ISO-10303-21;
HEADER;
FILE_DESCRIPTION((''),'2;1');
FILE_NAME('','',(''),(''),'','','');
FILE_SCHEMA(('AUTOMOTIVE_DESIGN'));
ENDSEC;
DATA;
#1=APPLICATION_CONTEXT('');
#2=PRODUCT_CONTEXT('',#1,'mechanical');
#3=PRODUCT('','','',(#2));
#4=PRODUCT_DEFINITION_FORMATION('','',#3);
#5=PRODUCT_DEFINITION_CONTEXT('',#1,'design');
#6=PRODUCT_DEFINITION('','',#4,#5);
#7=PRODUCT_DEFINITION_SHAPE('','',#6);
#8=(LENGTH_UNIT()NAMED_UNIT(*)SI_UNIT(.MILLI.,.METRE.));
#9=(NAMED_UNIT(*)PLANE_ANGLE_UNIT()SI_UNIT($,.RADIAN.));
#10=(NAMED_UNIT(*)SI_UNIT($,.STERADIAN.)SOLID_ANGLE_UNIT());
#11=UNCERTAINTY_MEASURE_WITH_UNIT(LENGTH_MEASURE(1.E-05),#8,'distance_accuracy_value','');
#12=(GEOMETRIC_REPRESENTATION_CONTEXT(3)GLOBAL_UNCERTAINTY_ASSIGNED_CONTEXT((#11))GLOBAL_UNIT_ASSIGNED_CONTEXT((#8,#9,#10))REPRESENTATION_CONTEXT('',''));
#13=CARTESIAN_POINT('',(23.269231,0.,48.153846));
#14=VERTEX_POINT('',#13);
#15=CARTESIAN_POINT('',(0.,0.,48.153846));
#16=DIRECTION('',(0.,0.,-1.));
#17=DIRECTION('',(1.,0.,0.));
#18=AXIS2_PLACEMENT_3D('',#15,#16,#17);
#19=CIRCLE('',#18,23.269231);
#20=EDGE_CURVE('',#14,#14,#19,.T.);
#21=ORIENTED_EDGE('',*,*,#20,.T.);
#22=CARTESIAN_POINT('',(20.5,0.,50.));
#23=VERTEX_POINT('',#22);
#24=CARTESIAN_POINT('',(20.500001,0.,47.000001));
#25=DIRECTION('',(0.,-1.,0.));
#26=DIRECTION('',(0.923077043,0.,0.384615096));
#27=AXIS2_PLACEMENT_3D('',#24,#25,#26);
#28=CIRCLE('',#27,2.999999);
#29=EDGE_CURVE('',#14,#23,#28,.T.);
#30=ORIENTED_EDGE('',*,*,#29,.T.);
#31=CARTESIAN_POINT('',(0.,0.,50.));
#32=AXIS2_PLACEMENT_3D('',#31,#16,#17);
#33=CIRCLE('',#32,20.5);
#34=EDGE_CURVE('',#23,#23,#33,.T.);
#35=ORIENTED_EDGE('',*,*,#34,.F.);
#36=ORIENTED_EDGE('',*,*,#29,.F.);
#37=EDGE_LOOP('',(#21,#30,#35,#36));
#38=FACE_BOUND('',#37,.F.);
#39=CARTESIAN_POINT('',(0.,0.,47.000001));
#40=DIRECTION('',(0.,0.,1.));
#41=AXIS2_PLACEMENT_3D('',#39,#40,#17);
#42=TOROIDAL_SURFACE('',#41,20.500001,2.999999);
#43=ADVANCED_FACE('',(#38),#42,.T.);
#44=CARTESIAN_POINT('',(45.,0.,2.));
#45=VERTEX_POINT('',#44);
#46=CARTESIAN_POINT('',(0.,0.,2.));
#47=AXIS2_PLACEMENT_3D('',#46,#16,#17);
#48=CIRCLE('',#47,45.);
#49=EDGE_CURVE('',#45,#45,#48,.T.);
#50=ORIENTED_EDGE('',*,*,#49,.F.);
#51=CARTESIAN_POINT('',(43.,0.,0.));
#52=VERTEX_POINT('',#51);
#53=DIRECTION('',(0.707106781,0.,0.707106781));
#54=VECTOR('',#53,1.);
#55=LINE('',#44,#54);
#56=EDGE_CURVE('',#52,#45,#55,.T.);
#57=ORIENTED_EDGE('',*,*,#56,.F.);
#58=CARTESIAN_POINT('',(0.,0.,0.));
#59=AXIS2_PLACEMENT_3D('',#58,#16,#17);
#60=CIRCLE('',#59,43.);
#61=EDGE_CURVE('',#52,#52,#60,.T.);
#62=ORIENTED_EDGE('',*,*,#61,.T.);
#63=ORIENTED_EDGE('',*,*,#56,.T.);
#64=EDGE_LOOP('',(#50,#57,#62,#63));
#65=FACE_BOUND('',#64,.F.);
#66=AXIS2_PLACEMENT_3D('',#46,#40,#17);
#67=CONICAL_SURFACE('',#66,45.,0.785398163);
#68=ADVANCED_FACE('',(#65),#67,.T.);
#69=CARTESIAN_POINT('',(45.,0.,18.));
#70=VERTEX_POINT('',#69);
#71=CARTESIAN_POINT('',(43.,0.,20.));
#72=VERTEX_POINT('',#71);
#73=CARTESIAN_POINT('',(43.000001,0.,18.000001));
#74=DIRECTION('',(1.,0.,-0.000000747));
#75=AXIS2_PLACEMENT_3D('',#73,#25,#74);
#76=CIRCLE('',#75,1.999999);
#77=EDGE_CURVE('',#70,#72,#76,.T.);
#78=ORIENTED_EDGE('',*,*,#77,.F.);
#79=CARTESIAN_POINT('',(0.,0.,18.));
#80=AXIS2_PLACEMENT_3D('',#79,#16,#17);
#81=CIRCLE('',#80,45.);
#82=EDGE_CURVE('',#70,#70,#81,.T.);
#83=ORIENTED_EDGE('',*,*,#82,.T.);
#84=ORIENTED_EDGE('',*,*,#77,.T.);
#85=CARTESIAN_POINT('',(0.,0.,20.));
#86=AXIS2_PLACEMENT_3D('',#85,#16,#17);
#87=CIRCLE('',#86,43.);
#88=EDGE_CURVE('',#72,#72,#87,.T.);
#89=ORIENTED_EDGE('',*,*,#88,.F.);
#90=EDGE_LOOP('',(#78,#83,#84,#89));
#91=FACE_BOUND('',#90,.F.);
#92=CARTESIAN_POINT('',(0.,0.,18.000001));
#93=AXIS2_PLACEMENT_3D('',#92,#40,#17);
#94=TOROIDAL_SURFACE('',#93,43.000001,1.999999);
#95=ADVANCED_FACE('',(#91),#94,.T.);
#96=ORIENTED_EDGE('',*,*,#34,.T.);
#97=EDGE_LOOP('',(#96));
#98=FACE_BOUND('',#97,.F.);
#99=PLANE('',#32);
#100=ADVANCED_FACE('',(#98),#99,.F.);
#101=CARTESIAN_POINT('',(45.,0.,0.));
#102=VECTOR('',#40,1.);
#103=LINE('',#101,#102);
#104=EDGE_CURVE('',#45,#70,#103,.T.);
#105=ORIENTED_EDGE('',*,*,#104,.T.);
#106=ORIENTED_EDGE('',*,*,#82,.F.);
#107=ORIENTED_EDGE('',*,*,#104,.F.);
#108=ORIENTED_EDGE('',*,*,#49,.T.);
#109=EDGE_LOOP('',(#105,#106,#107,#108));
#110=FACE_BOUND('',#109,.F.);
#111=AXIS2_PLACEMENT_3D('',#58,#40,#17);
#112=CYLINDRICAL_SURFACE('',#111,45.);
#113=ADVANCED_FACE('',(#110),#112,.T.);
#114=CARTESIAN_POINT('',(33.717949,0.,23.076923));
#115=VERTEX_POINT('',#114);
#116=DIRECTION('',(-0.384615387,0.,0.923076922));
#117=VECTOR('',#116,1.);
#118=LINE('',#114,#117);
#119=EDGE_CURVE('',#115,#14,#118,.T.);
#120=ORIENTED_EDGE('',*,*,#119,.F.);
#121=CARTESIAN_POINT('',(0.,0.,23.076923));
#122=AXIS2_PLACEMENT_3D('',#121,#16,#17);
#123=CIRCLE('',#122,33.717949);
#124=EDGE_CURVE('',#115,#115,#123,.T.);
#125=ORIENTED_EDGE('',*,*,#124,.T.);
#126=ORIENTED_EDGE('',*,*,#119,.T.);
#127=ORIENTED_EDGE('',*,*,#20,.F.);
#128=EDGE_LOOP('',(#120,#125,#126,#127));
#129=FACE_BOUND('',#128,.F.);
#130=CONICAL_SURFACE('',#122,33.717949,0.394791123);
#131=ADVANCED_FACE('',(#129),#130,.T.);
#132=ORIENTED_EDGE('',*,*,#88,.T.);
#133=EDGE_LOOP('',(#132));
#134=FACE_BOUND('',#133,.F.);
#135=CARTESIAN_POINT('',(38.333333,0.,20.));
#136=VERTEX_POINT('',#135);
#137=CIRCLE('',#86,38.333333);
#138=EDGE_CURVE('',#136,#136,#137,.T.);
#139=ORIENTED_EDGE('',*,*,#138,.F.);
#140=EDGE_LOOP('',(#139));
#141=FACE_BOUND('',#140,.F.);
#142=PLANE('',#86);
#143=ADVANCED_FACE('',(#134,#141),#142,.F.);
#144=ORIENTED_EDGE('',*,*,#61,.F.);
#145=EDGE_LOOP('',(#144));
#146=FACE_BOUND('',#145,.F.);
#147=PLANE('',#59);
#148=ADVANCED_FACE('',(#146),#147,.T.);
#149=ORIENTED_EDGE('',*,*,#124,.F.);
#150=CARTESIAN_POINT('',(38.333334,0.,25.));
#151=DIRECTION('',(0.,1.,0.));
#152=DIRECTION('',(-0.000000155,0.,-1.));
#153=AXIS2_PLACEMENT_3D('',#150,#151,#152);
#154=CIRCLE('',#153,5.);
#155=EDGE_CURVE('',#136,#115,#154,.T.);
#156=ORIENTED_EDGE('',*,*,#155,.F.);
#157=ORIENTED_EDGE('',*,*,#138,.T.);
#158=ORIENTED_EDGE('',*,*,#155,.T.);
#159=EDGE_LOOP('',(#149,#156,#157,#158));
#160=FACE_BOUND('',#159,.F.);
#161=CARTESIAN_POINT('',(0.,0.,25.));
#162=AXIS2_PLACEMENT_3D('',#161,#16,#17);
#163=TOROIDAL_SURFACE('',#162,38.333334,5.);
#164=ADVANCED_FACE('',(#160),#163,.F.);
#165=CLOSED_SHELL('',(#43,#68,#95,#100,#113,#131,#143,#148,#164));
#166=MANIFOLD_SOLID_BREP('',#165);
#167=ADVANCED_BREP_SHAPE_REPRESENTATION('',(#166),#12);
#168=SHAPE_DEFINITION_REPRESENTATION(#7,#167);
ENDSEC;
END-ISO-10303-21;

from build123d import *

# Parameters (mm, degrees)
F2_SIZE = 2


with BuildPart() as f1:
    # F0 (on Front) → F1 (revolve)
    with BuildSketch(Plane.XZ):
        with BuildLine():
            Line((0, 50), (0, 0))
            Line((0, 0), (45, 0))
            Line((45, 0), (45, 18))
            ThreePointArc((45, 18), (44.414214, 19.414214), (43, 20))
            Line((43, 20), (38.333333, 20))
            ThreePointArc((38.333333, 20), (35.559832, 20.839749), (33.717949, 23.076923))
            Line((33.717949, 23.076923), (23.269231, 48.153846))
            ThreePointArc((23.269231, 48.153846), (22.164101, 49.496151), (20.5, 50))
            Line((20.5, 50), (0, 50))
        make_face()
    revolve(axis=Axis((0, 0, 19.521503), (0, 0, -1)))

    # F2
    f2_edges = [f1.edges().sort_by_distance(p)[0] for p in [
        (-45, 0, 0),
    ]]
    chamfer(f2_edges, length=F2_SIZE)


solid = f1.part
